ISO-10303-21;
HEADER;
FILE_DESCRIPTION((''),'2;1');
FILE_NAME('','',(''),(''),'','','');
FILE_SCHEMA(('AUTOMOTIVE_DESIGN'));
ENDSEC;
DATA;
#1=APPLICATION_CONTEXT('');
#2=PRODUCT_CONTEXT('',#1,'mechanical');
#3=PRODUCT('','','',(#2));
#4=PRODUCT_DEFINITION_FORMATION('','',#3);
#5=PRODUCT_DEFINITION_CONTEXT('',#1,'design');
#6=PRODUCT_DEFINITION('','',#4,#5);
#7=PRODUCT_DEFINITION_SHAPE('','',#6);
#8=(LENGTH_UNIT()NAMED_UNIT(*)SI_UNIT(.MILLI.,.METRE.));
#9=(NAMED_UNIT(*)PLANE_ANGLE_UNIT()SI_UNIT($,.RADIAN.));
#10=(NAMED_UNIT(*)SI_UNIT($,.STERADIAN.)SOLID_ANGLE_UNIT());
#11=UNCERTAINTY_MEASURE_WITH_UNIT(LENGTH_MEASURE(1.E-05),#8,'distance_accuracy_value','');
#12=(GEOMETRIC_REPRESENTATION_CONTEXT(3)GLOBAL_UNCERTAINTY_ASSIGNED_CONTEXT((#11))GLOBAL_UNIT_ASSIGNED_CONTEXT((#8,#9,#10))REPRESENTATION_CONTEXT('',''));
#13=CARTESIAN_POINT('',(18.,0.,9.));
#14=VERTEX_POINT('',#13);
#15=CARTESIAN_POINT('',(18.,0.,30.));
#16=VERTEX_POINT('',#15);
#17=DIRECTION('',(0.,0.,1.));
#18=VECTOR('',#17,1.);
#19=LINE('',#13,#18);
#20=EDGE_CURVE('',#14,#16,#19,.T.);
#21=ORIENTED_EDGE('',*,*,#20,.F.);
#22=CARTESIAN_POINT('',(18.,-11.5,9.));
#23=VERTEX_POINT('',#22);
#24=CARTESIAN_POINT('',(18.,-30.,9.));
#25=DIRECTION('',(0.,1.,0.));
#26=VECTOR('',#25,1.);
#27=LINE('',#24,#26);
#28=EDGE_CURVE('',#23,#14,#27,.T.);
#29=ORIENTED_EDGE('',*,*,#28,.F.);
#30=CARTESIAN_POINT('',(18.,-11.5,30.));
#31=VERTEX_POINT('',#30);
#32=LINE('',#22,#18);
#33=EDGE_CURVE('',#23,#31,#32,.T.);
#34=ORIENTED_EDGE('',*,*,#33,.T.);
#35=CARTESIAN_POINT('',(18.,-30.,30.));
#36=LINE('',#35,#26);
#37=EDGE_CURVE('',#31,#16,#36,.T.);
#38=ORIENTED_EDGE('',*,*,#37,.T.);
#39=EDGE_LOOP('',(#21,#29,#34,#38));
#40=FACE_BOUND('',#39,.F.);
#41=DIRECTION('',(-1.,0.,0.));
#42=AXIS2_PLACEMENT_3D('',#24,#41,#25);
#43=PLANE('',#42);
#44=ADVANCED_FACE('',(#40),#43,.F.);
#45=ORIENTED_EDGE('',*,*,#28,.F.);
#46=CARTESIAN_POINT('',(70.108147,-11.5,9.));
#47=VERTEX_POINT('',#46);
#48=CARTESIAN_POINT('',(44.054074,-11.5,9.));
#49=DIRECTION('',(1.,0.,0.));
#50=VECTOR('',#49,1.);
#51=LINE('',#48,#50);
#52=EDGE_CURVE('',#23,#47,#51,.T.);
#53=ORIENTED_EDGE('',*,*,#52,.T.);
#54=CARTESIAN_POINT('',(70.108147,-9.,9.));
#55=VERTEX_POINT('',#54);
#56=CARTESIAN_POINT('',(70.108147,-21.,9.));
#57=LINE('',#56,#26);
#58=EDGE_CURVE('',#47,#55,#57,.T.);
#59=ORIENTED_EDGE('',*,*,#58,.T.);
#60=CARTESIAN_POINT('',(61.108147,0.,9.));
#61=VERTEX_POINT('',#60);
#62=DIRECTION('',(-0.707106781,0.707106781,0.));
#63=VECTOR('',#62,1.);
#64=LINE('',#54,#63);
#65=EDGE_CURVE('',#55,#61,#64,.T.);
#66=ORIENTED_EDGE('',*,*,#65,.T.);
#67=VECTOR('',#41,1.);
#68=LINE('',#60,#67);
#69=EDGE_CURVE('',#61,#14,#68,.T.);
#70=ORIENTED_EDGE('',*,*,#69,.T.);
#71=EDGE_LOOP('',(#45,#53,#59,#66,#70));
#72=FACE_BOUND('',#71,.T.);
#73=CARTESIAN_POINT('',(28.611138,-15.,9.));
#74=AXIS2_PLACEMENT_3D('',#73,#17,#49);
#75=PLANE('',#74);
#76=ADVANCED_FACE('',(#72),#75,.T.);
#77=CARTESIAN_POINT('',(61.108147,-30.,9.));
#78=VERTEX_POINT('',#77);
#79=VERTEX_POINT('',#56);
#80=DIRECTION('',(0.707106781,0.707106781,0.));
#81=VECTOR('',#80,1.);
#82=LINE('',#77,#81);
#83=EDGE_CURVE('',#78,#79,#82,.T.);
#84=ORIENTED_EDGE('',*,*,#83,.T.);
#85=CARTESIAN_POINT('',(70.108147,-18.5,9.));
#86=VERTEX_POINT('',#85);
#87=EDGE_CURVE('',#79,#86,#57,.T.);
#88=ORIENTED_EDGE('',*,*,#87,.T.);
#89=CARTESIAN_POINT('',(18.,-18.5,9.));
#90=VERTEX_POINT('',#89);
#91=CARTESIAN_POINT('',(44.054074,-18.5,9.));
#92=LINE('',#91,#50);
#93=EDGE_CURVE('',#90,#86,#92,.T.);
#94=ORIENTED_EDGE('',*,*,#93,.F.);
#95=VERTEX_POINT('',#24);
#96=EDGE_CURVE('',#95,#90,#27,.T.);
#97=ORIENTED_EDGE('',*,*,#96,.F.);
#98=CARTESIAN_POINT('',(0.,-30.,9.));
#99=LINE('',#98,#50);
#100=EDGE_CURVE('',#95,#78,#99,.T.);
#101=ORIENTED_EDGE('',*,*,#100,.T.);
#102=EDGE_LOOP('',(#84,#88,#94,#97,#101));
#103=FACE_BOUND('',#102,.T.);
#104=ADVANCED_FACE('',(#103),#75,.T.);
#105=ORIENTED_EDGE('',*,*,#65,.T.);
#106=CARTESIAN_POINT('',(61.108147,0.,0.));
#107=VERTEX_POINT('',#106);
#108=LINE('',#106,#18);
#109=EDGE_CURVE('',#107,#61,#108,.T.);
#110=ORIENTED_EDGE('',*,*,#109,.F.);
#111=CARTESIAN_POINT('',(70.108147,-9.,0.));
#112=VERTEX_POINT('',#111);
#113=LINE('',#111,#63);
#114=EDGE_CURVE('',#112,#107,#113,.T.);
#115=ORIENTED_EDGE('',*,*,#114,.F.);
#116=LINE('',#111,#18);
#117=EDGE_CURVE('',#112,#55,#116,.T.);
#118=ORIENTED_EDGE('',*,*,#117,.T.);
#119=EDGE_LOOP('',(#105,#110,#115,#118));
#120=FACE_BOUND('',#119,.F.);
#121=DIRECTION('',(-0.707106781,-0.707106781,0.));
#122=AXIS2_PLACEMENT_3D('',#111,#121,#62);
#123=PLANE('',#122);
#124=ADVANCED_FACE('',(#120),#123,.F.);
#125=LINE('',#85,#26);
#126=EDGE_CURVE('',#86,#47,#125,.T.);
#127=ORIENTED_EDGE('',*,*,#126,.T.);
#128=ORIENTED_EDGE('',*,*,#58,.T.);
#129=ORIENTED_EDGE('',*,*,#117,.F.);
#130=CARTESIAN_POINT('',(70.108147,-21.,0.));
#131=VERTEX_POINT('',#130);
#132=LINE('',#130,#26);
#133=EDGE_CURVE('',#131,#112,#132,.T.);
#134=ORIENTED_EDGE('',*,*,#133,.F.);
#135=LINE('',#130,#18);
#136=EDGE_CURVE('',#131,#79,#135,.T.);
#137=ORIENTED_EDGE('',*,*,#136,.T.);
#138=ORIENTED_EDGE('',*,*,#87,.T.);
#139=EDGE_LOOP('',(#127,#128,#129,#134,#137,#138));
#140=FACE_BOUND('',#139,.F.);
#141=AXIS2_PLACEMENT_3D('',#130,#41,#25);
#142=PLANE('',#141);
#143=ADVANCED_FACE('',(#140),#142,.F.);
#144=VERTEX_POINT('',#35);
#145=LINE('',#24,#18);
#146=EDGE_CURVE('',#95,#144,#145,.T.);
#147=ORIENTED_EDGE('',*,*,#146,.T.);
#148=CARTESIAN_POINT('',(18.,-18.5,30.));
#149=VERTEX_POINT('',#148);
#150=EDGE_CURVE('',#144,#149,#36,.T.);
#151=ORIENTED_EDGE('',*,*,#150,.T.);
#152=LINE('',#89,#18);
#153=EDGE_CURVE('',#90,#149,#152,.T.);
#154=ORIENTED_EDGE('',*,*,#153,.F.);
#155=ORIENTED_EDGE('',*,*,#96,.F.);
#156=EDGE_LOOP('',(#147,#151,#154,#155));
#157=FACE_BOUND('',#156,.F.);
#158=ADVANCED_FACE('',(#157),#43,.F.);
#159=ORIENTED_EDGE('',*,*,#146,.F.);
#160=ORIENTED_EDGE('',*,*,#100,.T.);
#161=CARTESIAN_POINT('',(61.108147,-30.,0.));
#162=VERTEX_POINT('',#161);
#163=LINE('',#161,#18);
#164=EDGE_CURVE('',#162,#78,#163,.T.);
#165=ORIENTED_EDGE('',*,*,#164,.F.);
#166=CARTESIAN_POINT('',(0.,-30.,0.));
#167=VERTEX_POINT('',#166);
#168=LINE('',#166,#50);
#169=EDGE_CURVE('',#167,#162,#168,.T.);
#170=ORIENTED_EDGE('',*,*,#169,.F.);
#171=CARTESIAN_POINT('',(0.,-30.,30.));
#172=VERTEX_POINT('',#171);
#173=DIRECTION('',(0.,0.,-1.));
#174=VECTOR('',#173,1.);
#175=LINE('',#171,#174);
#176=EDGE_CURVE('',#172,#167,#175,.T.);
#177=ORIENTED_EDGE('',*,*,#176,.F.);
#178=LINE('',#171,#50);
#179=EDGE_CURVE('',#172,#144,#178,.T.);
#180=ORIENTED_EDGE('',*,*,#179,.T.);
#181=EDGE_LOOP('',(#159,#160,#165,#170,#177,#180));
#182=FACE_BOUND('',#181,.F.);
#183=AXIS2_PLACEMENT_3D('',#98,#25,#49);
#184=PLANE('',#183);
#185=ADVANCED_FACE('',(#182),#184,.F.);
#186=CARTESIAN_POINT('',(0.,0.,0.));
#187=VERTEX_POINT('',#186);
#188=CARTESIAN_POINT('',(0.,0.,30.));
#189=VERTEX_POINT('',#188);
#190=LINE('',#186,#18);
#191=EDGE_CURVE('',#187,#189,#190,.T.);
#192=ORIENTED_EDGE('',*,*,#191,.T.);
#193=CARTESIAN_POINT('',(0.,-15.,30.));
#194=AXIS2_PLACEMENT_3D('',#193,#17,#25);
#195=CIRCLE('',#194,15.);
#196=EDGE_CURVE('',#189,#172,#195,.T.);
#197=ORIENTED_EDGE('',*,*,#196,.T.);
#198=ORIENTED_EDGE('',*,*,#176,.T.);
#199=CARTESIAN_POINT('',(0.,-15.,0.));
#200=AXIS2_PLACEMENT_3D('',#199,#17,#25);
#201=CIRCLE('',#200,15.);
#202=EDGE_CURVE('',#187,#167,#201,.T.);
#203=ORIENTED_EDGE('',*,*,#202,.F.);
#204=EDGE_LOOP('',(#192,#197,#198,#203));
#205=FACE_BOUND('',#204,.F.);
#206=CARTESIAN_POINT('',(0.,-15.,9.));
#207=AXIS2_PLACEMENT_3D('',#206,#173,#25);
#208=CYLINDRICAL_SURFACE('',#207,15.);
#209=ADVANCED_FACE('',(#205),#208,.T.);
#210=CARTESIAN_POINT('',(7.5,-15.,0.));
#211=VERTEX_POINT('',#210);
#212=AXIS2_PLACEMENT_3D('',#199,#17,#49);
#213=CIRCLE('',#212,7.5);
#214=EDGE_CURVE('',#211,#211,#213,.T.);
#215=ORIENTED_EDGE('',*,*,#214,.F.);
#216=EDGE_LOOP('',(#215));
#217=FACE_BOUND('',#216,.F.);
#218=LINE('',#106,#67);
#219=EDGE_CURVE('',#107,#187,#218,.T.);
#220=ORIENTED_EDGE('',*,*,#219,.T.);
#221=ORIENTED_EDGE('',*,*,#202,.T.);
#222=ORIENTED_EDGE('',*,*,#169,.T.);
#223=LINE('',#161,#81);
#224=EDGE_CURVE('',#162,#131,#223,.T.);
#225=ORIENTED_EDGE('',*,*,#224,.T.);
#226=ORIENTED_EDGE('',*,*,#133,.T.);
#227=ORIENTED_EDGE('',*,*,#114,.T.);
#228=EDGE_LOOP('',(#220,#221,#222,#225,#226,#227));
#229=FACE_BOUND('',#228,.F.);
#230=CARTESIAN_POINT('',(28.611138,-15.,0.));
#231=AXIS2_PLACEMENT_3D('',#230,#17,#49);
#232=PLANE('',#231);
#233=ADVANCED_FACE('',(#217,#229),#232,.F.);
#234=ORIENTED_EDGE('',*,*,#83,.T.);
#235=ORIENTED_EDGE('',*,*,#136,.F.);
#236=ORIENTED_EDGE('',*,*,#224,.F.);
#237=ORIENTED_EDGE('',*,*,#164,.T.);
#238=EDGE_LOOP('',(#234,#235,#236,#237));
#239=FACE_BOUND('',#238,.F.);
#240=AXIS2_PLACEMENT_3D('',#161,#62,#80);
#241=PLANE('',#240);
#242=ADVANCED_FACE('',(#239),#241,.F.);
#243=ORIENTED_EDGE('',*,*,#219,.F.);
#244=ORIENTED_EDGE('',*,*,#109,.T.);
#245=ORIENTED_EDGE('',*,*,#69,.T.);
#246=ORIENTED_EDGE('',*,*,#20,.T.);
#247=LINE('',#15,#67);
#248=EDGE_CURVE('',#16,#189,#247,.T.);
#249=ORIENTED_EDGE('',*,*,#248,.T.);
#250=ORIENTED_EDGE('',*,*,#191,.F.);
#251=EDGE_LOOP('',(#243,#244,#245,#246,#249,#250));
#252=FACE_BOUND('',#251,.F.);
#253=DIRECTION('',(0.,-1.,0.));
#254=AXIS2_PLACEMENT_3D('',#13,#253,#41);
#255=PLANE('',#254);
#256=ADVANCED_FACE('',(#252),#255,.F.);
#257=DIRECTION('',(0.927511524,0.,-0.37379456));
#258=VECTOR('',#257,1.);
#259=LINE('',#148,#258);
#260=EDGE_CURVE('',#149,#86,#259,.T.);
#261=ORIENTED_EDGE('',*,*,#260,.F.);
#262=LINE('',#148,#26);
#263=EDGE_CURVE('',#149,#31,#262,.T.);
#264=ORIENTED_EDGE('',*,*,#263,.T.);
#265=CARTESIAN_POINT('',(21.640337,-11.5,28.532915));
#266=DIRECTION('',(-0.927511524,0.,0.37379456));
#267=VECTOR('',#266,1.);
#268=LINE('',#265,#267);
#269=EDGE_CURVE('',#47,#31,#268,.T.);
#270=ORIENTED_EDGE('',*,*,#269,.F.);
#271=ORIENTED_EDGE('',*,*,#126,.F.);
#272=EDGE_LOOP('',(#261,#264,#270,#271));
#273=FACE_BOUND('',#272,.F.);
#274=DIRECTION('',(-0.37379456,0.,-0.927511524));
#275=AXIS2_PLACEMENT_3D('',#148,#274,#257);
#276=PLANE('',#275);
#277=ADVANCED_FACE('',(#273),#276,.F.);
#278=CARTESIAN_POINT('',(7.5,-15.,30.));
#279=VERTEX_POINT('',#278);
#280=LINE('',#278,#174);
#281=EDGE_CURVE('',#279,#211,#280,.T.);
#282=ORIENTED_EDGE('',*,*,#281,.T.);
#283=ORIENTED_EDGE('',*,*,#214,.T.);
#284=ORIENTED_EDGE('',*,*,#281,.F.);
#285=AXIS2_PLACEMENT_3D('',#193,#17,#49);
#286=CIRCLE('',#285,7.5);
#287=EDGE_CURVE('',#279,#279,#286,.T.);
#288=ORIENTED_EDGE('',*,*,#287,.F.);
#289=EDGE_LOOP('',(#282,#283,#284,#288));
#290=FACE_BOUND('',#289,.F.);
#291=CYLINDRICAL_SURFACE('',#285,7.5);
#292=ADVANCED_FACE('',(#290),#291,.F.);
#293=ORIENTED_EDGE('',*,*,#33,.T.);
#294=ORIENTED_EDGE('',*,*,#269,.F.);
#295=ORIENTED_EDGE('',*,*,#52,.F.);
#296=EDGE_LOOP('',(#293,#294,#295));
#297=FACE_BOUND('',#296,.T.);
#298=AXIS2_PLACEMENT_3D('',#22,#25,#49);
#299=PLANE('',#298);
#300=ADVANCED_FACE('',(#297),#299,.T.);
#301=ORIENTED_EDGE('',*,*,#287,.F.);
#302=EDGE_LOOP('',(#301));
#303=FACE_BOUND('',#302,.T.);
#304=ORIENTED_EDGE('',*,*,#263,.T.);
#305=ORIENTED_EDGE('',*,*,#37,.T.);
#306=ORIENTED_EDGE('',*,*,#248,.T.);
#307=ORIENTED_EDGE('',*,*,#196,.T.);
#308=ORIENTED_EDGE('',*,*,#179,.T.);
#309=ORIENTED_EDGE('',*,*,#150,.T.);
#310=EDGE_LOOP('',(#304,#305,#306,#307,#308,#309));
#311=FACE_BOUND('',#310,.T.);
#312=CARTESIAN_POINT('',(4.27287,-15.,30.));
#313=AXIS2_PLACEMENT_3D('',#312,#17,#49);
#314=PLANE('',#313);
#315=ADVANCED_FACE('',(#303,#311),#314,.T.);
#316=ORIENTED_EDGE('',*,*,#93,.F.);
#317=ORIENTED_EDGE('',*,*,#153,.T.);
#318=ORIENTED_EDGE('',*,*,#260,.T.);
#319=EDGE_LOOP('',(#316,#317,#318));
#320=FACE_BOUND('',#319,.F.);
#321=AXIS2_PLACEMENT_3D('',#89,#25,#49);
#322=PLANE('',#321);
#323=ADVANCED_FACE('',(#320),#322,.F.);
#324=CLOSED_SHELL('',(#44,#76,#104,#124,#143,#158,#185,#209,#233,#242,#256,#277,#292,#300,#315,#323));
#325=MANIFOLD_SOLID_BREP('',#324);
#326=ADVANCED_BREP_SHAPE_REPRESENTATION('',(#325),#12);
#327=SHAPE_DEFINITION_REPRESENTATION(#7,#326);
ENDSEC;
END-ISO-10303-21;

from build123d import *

# Parameters (mm, degrees)
F1_DEPTH = 9
F3_DEPTH = 21
F4_R     = 7.5
F5_DEPTH = 37.3
F6_W     = 52.1081472671
F6_H     = 7
F7_DEPTH = 21
F9_DEPTH = 25


with BuildPart() as f1:
    # F0 (on Top) → F1 (new body)
    with BuildSketch(Plane.XY):
        with BuildLine():
            Line((61.1081472671, 0), (0, 0))
            ThreePointArc((0, 0), (-15, -15), (0, -30))
            Line((0, -30), (61.1081472671, -30))
            Line((61.1081472671, -30), (70.1081472671, -21))
            Line((70.1081472671, -21), (70.1081472671, -9))
            Line((70.1081472671, -9), (61.1081472671, 0))
        make_face()
    extrude(amount=F1_DEPTH)

    # F2 (on face) → F3 (join)
    with BuildSketch(Plane.XY.offset(9)):
        with BuildLine():
            Line((18, -30), (18, 0))
            Line((18, 0), (0, 0))
            ThreePointArc((0, 0), (-15, -15), (0, -30))
            Line((0, -30), (18, -30))
        make_face()
    extrude(amount=F3_DEPTH)

    # F4 (on face) → F5 (cut)
    with BuildSketch(Plane.XY.offset(30)):
        with Locations((0, -15)):
            Circle(F4_R)
    extrude(amount=-F5_DEPTH, mode=Mode.SUBTRACT)

    # F6 (on face) → F7 (join)
    with BuildSketch(Plane.XY.offset(9)):
        with Locations((44.0540736336, -15)):
            Rectangle(F6_W, F6_H)
    extrude(amount=F7_DEPTH)

    # F8 (on face) → F9 (cut)
    with BuildSketch(Plane.XZ.offset(18.5)):
        Polygon((70.1081472671, 30), (18, 30), (70.1081472671, 9), align=None)
    extrude(amount=-F9_DEPTH, mode=Mode.SUBTRACT)


solid = f1.part
